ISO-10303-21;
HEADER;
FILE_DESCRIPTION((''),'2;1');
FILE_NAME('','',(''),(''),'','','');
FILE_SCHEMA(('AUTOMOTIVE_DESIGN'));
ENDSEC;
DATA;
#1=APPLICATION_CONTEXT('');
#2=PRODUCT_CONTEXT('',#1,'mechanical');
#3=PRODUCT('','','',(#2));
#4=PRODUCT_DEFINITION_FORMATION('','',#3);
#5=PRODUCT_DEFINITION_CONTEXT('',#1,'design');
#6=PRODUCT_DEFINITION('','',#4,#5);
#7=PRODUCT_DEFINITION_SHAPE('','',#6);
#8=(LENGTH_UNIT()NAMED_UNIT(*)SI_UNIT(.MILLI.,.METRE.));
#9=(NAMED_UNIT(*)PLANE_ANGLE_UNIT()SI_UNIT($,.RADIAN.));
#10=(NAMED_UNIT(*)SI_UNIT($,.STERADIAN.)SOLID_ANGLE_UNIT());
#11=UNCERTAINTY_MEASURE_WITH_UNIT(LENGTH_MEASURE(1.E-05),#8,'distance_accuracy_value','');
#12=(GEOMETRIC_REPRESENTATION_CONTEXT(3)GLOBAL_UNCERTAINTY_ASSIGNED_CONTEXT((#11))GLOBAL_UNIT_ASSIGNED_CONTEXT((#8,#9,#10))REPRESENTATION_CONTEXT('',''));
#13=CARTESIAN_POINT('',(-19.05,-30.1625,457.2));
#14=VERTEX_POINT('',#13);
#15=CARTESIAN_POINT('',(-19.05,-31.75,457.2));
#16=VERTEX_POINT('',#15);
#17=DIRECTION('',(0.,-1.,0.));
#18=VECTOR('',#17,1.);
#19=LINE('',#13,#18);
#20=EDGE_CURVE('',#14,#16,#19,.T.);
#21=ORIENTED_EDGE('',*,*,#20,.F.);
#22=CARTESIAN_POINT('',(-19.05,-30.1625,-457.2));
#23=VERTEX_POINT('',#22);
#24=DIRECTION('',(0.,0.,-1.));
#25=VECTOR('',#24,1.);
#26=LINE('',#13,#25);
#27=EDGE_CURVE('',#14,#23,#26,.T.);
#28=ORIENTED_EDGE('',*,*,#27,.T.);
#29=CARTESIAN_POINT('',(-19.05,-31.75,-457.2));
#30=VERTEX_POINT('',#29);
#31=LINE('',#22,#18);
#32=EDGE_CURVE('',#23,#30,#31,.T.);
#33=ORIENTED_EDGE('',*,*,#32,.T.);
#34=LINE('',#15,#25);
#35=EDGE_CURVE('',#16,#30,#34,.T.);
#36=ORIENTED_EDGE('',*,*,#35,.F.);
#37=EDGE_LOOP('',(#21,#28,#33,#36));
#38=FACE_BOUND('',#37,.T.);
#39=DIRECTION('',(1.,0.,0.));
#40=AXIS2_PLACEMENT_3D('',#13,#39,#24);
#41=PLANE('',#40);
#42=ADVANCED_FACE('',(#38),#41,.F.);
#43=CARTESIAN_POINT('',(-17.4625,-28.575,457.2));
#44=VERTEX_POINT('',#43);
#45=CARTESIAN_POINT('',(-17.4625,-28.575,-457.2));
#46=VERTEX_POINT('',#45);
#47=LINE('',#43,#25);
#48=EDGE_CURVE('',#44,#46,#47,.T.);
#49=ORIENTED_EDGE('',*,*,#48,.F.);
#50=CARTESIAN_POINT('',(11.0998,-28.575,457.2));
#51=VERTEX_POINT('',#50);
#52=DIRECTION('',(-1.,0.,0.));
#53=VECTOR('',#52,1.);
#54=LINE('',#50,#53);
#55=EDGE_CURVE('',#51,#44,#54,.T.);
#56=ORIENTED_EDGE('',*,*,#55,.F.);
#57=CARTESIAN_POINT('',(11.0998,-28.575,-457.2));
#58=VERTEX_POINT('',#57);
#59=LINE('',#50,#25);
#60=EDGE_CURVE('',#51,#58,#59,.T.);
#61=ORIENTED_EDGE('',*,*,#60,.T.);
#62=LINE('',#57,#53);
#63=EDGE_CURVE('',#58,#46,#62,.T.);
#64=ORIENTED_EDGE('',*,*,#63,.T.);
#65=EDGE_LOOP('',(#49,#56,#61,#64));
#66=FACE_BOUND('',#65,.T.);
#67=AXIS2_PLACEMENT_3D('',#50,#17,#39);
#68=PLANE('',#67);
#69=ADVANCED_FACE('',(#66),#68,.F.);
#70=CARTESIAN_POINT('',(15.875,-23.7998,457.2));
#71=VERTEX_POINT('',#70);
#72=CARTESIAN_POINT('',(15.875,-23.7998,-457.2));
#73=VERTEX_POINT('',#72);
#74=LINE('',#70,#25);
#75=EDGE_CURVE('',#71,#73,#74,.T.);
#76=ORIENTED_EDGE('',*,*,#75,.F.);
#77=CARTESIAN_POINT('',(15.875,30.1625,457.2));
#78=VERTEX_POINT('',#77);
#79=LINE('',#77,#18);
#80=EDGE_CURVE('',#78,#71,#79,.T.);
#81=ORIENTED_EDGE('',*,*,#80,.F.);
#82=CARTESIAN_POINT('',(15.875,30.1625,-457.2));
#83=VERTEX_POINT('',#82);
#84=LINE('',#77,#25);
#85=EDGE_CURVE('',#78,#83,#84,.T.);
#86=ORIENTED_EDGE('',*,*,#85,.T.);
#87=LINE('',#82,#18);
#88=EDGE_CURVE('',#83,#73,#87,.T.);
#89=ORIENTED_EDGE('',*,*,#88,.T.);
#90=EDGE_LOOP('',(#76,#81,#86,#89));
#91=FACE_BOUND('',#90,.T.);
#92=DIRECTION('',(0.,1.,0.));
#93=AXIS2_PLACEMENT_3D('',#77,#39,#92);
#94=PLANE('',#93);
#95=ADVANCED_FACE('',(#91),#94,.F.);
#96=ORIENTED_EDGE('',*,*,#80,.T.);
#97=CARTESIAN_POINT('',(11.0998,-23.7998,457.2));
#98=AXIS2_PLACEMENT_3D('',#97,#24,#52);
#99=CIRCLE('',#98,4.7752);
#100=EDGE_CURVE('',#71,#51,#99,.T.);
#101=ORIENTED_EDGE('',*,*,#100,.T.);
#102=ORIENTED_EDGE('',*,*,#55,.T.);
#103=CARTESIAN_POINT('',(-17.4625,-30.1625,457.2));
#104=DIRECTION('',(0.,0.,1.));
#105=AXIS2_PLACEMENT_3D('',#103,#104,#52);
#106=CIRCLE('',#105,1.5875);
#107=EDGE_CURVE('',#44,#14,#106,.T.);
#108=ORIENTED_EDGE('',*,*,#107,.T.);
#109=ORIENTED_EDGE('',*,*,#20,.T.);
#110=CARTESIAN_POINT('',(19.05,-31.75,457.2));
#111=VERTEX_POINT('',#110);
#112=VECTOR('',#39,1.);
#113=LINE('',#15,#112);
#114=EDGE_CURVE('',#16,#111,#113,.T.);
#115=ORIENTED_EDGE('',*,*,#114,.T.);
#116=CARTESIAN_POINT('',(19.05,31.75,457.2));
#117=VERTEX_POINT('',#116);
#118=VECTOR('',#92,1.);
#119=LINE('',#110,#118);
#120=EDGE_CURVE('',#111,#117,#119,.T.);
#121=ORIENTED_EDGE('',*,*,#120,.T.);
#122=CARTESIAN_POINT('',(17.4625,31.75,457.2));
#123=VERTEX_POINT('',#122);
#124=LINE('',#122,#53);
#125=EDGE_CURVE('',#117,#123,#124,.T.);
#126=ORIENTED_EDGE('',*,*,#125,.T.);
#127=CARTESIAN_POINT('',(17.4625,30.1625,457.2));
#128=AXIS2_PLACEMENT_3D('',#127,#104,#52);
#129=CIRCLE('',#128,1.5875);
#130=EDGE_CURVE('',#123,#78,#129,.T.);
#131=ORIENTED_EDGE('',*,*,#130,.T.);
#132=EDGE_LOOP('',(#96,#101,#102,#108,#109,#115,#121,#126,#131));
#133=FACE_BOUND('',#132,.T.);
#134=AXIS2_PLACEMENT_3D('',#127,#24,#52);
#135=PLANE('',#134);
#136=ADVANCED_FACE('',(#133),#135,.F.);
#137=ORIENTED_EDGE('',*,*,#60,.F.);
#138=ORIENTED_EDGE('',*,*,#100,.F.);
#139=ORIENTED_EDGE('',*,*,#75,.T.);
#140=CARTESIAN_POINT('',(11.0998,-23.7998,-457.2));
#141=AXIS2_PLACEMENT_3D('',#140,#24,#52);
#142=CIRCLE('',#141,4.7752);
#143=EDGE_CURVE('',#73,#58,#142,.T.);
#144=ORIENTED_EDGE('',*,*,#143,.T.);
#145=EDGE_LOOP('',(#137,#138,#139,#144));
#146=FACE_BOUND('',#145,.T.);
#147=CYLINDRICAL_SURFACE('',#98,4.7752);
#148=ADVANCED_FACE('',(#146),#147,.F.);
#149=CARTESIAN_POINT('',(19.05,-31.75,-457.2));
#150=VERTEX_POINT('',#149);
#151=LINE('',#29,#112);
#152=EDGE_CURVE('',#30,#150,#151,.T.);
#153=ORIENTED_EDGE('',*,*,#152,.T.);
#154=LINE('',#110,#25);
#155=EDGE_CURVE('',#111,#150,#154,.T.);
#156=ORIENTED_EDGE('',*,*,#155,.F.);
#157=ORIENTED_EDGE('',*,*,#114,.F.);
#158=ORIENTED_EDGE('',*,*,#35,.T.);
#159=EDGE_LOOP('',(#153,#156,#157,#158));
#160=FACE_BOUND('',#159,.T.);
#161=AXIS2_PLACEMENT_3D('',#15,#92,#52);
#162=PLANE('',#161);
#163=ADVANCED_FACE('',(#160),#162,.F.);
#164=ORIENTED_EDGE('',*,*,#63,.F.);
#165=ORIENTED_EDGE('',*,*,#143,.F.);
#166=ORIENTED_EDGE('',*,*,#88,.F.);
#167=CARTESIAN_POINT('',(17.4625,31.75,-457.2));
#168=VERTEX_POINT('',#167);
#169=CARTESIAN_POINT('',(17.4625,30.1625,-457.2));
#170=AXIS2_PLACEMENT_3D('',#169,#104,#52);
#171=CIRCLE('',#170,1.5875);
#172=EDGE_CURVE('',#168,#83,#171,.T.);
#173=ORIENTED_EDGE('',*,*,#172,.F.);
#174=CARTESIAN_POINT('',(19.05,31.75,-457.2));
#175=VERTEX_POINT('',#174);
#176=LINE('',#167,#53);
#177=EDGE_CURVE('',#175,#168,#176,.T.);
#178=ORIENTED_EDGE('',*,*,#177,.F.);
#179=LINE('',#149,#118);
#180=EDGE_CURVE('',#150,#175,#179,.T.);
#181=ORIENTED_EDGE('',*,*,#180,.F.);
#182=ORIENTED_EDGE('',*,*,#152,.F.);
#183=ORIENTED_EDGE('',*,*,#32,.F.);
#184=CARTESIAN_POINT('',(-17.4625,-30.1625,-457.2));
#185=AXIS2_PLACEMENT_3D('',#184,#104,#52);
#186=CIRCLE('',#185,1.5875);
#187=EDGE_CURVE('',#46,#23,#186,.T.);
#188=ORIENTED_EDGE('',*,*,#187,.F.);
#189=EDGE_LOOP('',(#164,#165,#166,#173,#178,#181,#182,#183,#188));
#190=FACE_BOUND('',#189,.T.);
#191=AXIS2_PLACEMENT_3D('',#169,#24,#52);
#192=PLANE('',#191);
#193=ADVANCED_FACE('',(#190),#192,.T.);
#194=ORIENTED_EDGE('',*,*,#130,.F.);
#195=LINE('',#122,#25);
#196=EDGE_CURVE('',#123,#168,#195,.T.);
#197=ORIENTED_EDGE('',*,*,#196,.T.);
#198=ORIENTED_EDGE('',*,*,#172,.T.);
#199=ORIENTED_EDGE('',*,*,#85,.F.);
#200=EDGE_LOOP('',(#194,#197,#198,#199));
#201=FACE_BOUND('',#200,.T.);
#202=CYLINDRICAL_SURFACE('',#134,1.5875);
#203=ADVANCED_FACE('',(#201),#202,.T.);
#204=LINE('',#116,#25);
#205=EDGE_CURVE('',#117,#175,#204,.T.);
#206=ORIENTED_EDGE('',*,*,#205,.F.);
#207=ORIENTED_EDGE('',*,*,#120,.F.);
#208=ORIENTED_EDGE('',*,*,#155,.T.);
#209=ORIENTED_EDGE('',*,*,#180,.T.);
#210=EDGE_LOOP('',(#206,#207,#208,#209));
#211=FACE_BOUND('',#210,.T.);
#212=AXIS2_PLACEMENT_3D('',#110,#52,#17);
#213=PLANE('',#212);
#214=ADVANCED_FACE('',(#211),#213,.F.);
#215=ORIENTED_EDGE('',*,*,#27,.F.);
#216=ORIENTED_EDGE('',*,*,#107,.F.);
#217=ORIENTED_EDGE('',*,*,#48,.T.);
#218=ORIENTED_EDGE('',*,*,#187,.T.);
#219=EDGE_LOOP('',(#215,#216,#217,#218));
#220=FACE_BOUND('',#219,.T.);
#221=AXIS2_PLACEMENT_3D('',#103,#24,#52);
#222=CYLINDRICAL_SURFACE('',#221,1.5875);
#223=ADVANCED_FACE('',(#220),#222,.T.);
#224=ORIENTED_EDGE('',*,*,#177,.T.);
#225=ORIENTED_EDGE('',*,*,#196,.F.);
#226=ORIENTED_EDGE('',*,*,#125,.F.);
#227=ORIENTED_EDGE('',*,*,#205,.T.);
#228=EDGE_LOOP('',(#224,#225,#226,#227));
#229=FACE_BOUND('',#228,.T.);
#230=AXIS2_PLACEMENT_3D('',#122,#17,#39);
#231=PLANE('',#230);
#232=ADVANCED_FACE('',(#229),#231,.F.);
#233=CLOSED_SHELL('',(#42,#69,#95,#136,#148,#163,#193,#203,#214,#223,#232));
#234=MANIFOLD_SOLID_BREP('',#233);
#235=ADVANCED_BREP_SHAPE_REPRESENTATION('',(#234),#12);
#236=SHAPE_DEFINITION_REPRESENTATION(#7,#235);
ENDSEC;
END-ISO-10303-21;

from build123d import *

# Parameters (mm, degrees)
BOSS_EXTRUDE1_DEPTH = 457.2


with BuildPart() as part:
    # Sketch2 → Boss-Extrude1 (new, symmetric)
    with BuildSketch(Plane.XY):
        with BuildLine():
            Line((-19.05, -31.75), (19.05, -31.75))
            Line((19.05, -31.75), (19.05, 31.75))
            Line((19.05, 31.75), (17.4625, 31.75))
            ThreePointArc((17.4625, 31.75), (16.339967985, 31.285032015), (15.875, 30.1625))
            Line((15.875, 30.1625), (15.875, -23.7998))
            ThreePointArc((15.875, -23.7998), (14.476376302, -27.176376302), (11.0998, -28.575))
            Line((11.0998, -28.575), (-17.4625, -28.575))
            ThreePointArc((-17.4625, -28.575), (-18.585032015, -29.039967985), (-19.05, -30.1625))
            Line((-19.05, -30.1625), (-19.05, -31.75))
        make_face()
    extrude(amount=BOSS_EXTRUDE1_DEPTH, both=True)


solid = part.part
